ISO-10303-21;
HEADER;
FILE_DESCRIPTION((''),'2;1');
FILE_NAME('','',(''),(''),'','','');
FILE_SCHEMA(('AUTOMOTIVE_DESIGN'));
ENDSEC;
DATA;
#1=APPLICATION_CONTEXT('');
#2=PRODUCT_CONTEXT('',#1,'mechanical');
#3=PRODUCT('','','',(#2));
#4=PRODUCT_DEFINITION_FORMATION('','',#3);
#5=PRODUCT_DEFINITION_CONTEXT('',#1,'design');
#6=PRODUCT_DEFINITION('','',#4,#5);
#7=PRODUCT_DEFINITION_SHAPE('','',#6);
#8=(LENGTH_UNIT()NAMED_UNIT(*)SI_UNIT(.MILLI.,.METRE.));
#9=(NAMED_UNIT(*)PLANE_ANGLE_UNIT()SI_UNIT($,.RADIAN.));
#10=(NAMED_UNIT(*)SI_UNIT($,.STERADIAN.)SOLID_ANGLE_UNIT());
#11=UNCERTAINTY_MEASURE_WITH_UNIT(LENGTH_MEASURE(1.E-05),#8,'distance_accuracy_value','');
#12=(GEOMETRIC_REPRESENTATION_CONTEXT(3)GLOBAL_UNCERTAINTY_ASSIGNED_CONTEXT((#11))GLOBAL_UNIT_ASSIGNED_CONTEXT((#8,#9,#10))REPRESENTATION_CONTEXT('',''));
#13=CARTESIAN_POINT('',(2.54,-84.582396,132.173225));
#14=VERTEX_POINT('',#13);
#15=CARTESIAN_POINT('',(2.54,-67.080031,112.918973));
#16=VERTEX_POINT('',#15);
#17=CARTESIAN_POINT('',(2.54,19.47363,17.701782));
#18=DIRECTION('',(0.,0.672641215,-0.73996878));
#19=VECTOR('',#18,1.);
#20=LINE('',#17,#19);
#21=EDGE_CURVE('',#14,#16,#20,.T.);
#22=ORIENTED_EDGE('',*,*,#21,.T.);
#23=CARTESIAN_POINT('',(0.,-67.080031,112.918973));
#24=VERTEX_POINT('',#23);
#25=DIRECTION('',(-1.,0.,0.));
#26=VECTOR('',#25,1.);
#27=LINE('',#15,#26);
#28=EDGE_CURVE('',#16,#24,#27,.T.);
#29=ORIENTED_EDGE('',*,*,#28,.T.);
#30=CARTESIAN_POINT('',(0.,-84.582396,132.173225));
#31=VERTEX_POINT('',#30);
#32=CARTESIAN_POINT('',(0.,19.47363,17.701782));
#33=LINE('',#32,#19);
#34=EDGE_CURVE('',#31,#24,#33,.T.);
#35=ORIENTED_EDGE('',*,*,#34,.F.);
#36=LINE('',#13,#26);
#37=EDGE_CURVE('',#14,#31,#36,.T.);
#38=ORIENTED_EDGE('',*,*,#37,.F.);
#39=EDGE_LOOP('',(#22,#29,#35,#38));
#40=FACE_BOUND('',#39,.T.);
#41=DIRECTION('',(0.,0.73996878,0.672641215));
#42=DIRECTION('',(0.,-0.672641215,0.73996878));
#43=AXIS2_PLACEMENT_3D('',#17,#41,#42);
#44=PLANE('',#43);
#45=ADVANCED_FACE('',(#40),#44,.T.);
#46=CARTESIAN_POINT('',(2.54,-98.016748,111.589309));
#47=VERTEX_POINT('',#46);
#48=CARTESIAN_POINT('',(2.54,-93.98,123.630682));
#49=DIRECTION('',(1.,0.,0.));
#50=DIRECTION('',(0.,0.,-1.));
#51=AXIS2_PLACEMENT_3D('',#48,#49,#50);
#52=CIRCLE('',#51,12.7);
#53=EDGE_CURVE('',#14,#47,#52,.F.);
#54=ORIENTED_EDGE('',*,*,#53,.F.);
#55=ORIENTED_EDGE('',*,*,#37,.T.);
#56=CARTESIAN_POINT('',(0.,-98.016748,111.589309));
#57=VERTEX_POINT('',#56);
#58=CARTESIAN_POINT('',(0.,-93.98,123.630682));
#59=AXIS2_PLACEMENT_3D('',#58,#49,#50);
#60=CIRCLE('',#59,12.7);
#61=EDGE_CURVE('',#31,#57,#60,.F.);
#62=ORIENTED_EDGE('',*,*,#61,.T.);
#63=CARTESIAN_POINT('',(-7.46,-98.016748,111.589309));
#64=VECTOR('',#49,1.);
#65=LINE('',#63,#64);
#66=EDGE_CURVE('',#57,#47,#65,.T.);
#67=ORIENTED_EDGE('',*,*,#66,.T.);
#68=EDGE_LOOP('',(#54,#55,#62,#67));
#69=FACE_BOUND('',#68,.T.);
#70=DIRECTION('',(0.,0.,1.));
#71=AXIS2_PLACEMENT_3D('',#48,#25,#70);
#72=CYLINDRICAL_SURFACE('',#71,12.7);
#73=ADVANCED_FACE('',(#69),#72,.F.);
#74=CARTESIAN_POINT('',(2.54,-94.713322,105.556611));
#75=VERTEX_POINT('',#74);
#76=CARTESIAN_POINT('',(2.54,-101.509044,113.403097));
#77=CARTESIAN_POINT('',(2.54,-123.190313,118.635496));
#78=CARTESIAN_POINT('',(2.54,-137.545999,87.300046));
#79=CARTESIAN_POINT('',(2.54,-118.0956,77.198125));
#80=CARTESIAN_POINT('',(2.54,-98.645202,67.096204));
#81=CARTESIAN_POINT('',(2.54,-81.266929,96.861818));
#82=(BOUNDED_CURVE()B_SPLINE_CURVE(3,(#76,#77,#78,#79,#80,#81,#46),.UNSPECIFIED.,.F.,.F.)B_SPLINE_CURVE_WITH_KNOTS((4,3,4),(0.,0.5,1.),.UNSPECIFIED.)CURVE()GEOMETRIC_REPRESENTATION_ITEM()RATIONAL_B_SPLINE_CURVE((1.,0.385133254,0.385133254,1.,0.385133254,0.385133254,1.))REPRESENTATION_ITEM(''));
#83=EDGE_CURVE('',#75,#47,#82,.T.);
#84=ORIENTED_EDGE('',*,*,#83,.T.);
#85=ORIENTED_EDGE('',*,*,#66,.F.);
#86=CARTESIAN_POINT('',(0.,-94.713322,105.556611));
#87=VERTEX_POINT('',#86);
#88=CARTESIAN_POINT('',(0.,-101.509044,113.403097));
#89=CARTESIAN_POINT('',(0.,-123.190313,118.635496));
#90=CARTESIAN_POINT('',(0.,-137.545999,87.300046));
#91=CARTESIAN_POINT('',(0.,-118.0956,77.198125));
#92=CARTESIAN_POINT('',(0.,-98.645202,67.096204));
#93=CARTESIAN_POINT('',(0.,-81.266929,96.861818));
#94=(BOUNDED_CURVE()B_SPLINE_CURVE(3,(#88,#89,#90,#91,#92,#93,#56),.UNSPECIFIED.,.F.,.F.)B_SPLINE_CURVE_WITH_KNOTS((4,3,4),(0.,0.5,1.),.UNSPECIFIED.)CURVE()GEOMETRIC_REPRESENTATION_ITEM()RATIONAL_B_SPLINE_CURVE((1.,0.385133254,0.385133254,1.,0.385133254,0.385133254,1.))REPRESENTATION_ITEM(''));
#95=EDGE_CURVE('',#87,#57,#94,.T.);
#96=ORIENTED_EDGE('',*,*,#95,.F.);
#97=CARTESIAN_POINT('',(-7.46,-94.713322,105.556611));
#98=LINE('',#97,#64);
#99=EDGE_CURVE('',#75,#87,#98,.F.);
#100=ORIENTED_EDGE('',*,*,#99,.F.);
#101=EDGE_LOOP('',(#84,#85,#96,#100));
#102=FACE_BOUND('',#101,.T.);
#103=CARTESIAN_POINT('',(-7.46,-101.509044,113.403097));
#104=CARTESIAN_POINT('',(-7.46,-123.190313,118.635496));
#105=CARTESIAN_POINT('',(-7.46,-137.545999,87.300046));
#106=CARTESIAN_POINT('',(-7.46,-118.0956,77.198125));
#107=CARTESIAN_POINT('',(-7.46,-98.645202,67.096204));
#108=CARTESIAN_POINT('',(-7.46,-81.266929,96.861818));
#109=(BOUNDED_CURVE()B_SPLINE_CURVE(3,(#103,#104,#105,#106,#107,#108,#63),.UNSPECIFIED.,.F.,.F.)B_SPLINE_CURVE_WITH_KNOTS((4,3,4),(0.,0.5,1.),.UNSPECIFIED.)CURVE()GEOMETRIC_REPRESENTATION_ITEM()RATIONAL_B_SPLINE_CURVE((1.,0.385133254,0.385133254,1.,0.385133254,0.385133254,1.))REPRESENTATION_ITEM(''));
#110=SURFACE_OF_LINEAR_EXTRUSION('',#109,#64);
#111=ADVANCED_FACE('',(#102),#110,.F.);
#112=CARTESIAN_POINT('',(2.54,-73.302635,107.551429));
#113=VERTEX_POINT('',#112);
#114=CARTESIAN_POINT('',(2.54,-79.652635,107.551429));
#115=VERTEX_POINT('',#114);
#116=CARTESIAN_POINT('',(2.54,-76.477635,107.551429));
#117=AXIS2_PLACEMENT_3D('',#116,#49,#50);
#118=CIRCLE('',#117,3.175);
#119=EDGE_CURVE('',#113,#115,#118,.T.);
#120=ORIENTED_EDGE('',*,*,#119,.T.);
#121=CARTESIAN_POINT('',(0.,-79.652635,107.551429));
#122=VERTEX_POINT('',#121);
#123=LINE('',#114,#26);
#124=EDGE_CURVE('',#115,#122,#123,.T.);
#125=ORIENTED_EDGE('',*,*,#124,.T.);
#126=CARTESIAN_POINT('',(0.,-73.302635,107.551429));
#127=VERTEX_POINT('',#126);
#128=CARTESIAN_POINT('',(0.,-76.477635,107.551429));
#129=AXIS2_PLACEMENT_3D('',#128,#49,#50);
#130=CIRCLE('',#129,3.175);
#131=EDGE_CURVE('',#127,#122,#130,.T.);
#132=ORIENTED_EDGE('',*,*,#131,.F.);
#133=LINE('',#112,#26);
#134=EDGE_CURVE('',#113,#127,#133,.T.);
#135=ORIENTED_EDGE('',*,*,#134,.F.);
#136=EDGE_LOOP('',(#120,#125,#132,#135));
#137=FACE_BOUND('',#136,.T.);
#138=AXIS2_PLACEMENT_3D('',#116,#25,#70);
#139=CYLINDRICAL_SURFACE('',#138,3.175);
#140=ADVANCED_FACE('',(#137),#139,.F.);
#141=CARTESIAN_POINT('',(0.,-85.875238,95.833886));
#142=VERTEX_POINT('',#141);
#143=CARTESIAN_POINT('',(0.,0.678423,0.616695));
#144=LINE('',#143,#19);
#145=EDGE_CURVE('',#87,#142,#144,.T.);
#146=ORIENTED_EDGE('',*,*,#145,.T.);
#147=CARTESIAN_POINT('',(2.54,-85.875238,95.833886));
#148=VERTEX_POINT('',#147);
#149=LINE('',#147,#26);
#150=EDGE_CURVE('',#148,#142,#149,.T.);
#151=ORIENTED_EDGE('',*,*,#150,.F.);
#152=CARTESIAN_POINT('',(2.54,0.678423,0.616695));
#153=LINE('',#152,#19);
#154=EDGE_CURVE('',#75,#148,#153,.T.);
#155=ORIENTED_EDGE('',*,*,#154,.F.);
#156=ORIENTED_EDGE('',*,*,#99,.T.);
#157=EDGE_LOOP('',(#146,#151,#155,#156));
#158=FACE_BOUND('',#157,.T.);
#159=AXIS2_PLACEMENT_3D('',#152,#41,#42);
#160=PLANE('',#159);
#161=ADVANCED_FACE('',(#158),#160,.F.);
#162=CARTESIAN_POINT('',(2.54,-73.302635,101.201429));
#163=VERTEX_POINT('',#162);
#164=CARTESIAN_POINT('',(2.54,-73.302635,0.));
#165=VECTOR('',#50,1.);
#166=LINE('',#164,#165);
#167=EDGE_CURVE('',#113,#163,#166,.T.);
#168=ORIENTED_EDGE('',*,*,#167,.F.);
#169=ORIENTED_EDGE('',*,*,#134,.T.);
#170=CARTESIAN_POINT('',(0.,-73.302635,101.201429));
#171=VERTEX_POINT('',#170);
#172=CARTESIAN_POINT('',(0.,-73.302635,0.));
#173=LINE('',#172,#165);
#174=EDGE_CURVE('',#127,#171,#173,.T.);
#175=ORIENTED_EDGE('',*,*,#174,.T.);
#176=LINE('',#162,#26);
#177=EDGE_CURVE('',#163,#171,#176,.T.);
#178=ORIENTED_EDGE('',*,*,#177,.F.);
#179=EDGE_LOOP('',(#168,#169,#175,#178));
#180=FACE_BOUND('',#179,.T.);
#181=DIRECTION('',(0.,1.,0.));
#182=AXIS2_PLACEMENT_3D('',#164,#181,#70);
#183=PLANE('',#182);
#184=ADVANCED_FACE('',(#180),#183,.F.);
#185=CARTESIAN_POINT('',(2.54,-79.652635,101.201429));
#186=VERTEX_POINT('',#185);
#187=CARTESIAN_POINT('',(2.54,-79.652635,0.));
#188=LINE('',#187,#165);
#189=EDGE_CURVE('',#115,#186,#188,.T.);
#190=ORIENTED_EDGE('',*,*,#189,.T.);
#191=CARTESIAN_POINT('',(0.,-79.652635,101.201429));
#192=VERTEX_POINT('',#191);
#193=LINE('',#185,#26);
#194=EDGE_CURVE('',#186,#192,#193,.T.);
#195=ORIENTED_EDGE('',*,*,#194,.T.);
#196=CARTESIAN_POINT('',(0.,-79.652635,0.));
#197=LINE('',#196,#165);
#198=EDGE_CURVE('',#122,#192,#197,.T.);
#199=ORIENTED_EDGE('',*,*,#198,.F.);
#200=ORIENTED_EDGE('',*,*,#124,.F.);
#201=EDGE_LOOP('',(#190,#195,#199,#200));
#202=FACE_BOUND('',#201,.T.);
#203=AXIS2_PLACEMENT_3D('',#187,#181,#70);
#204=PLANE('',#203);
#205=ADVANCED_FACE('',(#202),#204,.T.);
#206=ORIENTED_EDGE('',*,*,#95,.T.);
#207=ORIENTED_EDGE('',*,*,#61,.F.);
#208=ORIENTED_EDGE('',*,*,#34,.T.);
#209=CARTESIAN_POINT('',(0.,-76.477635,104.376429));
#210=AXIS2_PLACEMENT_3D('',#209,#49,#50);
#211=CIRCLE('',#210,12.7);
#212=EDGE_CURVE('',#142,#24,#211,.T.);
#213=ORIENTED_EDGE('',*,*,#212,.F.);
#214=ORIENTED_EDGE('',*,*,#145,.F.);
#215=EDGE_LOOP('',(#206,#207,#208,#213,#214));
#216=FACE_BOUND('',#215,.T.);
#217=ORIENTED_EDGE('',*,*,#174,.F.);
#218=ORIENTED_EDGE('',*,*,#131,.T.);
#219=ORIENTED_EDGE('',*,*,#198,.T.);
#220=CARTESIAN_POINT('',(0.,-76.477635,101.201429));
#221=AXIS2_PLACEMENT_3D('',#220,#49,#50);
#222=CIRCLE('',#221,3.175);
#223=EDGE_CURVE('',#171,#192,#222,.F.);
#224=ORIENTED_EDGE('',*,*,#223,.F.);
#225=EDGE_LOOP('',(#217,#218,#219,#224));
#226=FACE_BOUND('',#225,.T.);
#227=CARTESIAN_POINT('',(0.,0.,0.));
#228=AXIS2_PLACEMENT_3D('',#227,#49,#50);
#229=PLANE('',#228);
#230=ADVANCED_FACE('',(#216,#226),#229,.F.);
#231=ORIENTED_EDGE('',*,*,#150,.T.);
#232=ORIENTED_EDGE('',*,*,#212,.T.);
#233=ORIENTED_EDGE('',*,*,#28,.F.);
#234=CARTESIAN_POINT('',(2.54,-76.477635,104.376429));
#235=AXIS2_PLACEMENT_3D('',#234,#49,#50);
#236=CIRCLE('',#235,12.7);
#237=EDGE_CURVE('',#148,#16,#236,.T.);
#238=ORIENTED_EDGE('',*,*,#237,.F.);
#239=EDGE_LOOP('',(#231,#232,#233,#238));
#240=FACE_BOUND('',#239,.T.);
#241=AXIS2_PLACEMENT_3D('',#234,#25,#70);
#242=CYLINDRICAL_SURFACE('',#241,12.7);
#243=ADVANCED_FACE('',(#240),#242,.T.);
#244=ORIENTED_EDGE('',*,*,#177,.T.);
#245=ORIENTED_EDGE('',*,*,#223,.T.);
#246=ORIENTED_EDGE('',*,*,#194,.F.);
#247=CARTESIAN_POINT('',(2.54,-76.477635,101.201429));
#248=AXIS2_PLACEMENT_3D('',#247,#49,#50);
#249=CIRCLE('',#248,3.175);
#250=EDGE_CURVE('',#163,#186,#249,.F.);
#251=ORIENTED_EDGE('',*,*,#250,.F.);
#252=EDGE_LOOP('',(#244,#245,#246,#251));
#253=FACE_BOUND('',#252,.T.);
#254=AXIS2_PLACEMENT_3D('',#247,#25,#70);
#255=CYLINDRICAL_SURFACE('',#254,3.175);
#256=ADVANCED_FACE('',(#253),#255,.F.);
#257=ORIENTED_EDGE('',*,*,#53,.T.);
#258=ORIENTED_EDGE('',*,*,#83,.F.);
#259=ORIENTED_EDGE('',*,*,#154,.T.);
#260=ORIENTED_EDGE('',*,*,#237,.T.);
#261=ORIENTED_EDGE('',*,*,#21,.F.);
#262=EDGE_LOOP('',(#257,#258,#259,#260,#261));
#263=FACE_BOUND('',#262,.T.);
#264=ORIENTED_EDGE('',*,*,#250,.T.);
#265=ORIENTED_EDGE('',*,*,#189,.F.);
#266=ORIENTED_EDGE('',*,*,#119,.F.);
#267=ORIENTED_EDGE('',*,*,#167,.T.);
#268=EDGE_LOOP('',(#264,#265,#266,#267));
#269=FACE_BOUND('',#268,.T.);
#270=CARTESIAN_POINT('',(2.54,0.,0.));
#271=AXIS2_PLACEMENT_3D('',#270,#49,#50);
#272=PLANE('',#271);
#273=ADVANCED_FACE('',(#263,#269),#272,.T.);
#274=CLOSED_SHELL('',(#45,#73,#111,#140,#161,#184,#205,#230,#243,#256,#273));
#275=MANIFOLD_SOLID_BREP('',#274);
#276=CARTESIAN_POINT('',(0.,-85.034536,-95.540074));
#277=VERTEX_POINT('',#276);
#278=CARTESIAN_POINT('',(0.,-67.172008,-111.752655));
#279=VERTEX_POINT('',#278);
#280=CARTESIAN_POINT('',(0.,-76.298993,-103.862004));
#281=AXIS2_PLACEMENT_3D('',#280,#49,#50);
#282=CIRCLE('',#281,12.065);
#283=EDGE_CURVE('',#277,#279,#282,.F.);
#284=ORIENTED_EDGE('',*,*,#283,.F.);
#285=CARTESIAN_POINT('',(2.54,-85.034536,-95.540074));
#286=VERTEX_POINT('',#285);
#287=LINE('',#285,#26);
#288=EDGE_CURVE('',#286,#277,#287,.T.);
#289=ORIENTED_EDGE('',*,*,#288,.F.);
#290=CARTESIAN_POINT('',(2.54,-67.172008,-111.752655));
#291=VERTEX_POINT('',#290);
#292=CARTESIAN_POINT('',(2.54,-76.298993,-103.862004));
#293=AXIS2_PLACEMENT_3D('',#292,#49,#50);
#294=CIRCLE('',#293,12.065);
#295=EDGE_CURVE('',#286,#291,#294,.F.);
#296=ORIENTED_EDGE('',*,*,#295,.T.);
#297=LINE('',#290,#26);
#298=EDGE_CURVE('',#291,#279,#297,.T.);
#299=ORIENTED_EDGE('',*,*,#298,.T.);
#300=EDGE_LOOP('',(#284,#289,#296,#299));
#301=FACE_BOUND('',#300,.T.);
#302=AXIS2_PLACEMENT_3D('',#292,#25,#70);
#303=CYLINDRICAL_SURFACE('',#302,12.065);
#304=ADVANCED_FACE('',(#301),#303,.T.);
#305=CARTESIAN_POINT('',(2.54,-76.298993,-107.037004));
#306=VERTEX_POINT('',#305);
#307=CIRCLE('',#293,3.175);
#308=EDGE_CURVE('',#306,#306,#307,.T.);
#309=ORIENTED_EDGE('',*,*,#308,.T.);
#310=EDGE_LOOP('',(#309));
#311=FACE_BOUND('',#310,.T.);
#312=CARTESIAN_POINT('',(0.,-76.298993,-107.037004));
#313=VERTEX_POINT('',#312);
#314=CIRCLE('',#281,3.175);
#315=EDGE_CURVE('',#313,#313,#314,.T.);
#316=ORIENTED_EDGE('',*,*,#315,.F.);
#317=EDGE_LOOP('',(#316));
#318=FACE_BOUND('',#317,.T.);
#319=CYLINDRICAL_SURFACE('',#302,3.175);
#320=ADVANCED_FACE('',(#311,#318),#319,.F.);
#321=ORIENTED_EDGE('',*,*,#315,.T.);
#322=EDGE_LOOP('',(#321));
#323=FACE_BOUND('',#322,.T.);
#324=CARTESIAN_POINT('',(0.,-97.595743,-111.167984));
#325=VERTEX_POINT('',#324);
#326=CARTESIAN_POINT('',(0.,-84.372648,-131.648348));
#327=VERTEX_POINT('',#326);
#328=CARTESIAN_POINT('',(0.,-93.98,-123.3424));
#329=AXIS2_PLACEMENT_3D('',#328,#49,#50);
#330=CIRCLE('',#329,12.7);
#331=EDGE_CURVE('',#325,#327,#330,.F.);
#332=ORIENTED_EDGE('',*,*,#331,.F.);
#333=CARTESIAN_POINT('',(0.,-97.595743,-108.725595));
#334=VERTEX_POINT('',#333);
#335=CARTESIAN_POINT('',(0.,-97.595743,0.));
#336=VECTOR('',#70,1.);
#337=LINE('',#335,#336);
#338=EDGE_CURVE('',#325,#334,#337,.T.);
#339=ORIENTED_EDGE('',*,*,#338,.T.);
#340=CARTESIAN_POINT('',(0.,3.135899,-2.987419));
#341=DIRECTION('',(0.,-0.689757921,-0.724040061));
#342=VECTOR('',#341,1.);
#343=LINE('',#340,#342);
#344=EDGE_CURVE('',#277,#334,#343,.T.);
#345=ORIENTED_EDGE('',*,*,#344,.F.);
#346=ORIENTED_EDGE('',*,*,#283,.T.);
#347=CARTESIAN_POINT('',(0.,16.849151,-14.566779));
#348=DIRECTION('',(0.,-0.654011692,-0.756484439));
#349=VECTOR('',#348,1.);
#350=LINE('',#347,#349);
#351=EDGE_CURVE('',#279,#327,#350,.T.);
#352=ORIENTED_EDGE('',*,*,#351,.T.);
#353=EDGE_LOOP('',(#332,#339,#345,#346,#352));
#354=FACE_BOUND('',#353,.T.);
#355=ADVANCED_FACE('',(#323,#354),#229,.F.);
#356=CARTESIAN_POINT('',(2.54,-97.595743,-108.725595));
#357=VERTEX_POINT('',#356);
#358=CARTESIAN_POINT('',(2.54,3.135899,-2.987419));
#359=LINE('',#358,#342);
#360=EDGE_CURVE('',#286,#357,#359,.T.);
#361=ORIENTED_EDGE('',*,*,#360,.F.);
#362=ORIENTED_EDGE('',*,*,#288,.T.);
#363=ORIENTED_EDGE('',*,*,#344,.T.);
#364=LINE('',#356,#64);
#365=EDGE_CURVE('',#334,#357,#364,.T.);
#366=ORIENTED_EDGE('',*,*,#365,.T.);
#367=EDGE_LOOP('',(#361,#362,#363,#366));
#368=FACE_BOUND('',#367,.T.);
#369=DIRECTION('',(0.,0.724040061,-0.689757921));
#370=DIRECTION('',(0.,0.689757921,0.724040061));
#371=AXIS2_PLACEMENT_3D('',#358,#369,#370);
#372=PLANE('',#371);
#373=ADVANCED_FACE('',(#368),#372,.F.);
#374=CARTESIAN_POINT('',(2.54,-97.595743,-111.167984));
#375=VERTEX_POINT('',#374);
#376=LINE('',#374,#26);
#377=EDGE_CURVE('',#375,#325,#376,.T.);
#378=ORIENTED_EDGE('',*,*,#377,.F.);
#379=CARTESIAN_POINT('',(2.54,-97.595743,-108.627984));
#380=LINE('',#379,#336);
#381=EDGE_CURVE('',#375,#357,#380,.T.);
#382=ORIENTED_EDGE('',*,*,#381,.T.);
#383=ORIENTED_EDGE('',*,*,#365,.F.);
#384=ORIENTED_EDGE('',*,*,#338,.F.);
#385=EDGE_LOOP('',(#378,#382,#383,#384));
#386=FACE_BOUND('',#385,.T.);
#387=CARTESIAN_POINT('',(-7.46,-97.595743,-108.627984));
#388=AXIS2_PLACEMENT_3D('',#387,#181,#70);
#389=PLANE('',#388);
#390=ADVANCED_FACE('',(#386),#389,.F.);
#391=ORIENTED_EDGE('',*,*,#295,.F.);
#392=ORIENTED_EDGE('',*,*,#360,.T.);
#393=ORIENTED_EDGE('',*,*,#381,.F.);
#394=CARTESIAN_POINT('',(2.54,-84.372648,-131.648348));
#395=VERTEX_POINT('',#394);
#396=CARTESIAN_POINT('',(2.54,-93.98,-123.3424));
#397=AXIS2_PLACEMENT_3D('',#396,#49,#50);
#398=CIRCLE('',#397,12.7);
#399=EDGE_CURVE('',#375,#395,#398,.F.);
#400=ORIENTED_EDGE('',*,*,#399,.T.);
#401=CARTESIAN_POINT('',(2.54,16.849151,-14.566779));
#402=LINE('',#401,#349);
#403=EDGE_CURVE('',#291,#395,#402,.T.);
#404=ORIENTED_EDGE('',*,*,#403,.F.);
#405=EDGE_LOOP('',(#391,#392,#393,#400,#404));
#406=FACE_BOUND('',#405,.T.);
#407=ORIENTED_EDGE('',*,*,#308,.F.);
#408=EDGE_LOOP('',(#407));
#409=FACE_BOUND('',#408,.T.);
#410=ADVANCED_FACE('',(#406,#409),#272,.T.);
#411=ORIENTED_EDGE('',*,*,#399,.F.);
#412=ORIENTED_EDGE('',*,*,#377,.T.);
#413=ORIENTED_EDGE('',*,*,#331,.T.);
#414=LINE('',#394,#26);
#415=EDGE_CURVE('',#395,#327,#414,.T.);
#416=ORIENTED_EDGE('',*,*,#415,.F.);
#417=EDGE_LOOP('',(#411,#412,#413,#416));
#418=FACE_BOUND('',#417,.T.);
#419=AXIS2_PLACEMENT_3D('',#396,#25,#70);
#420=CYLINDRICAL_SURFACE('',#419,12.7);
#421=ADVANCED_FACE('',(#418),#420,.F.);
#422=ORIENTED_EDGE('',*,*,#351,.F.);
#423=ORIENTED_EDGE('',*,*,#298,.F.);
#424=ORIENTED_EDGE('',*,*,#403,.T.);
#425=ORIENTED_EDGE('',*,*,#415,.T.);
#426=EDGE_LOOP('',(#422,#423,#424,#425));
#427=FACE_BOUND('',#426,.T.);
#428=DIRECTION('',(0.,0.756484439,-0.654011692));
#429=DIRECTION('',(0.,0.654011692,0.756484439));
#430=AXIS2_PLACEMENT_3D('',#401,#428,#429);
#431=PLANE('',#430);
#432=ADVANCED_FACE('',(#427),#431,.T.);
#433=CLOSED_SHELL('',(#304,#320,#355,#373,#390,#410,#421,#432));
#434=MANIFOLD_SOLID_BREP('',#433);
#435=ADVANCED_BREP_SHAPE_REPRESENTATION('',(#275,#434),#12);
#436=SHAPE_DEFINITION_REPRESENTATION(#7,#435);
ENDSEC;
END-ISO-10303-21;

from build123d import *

# Parameters (mm, degrees)
BOSS_EXTRUDE1_DEPTH   = 2.54
SKETCH1_R             = 3.175
BOSS_EXTRUDE1_2_DEPTH = 2.54
CUT_EXTRUDE1_DEPTH    = 10
CUT_EXTRUDE2_DEPTH    = 10


with BuildPart() as part:
    # Sketch1 → Boss-Extrude1 (new body)
    with BuildSketch(Plane(origin=(0, 0, 0), x_dir=(0, 0, -1), z_dir=(1, 0, 0))):
        with BuildLine():
            Line((-132.173225325, -84.582396488), (-112.918972687, -67.080031215))
            ThreePointArc((-112.918972687, -67.080031215), (-94.978825746, -67.935091298), (-95.833885829, -85.875238239))
            Line((-95.833885829, -85.875238239), (-115.088138468, -103.377603512))
            ThreePointArc((-115.088138468, -103.377603512), (-114.233078385, -85.437456571), (-132.173225325, -84.582396488))
        make_face()
        with BuildLine():
            ThreePointArc((-107.551429258, -73.302634727), (-110.726429258, -76.477634727), (-107.551429258, -79.652634727))
            Line((-107.551429258, -79.652634727), (-101.201429258, -79.652634727))
            ThreePointArc((-101.201429258, -79.652634727), (-98.026429258, -76.477634727), (-101.201429258, -73.302634727))
            Line((-101.201429258, -73.302634727), (-107.551429258, -73.302634727))
        make_face(mode=Mode.SUBTRACT)
    extrude(amount=BOSS_EXTRUDE1_DEPTH)

    # Sketch5 → Cut-Extrude2 (cut)
    with BuildSketch(Plane(origin=(2.54, 0, 0), x_dir=(0, 0, -1), z_dir=(1, 0, 0))):
        with BuildLine():
            Line((-111.589308689, -98.016747612), (-113.403096994, -101.509044233))
            add(Edge.make_bspline(
                [(-111.589308689, -98.016747612), (-96.861818153, -81.266928915), (-67.096203504, -98.64520207), (-77.198124577, -118.095600298), (-87.300045651, -137.545998525), (-118.635496441, -123.190312645), (-113.403096994, -101.509044233)],
                knots=[0, 0, 0, 0, 0.5, 0.5, 0.5, 1, 1, 1, 1], degree=3, weights=[1, 0.385133254, 0.385133254, 1, 0.385133254, 0.385133254, 1]))
        make_face()
    extrude(amount=-CUT_EXTRUDE2_DEPTH, mode=Mode.SUBTRACT)


with BuildPart() as body_2:
    # Sketch1 → Boss-Extrude1 2 (new body)
    with BuildSketch(Plane(origin=(0, 0, 0), x_dir=(0, 0, -1), z_dir=(1, 0, 0))):
        with BuildLine():
            Line((95.540074367, -85.034535944), (114.582474398, -103.175308774))
            ThreePointArc((114.582474398, -103.175308774), (113.938329585, -85.444576189), (131.648348491, -84.372647625))
            Line((131.648348491, -84.372647625), (111.752654756, -67.172007853))
            ThreePointArc((111.752654756, -67.172007853), (94.928136795, -68.190339989), (95.540074367, -85.034535944))
        make_face()
        with Locations((103.862003689, -76.298992609)):
            Circle(SKETCH1_R, mode=Mode.SUBTRACT)
    extrude(amount=BOSS_EXTRUDE1_2_DEPTH)

    # Sketch4 → Cut-Extrude1 (cut)
    with BuildSketch(Plane(origin=(2.54, 0, 0), x_dir=(0, 0, -1), z_dir=(1, 0, 0))):
        Polygon((111.167984165, -97.595743227), (108.627984165, -97.595743227), (102.147549377, -97.595743227), (102.147549377, -107.314158184), (125.321864193, -107.314158184), (121.698336242, -97.595743227), align=None)
    extrude(amount=-CUT_EXTRUDE1_DEPTH, mode=Mode.SUBTRACT)


with BuildPart() as body_3:
    # of the pieces the cut leaves, the one that is kept (cut_extrude2_keep)
    add(part.part.solids().sort_by_distance((0, -84.582396488, 132.173225325))[0])


solid = Compound([body_2.part, body_3.part])
